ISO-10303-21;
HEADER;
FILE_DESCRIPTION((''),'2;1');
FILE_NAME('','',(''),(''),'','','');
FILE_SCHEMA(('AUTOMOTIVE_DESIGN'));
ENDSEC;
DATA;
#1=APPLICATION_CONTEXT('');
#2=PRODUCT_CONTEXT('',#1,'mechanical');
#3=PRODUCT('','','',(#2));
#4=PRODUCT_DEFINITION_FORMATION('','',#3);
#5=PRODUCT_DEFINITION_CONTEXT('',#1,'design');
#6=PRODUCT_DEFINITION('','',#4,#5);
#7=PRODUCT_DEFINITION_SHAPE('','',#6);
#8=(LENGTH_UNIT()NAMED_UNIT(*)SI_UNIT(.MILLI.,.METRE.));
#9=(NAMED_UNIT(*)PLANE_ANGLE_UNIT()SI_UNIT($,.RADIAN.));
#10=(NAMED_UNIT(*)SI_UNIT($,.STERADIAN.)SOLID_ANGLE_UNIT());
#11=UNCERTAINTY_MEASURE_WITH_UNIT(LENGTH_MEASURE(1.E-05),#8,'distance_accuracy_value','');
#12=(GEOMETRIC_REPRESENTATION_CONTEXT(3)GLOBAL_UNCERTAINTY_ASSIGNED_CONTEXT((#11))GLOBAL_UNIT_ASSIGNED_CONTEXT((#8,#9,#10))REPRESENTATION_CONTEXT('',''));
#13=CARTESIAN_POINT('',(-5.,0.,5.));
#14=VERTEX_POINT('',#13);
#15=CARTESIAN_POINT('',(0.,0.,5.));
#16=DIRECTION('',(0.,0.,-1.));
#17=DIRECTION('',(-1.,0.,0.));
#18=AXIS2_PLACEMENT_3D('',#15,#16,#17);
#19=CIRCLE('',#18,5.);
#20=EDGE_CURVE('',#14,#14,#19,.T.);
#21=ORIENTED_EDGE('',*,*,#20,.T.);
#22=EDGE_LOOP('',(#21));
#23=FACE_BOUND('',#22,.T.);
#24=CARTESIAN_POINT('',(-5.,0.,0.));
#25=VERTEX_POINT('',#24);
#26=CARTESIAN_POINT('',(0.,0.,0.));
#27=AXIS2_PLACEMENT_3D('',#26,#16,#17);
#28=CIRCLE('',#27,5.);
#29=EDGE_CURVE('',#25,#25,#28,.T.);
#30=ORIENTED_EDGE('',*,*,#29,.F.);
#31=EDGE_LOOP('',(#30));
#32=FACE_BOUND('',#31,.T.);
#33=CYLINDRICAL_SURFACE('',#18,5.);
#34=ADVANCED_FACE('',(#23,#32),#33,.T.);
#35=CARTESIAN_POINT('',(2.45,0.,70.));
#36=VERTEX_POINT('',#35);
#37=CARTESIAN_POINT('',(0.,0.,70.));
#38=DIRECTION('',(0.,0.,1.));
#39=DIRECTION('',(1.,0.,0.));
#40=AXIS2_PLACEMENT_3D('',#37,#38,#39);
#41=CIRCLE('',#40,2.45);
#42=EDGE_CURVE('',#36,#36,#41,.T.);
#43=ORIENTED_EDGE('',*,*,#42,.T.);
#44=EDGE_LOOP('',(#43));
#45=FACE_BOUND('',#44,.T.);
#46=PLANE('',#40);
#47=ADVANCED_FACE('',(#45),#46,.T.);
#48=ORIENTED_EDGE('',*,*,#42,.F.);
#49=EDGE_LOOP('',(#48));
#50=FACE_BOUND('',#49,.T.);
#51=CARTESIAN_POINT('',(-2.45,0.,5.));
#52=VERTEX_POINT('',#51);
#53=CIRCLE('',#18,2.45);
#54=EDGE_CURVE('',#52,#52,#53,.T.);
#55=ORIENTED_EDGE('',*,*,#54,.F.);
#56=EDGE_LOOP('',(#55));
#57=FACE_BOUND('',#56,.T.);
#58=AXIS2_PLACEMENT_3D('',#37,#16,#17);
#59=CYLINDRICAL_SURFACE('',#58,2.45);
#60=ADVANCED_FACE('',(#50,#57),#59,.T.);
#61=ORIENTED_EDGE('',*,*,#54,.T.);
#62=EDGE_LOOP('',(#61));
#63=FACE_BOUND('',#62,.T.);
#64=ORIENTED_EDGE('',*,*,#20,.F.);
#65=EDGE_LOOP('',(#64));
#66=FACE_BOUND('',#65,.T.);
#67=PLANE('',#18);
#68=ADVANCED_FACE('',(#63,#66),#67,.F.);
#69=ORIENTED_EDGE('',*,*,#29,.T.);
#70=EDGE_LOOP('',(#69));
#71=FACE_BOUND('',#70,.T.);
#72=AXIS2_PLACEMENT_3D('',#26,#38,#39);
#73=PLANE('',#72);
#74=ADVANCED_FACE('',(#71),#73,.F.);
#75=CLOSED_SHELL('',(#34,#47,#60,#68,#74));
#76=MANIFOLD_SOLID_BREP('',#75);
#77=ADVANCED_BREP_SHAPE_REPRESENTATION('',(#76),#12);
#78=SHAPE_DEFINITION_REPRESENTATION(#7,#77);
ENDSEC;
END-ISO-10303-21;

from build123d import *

# Parameters (mm, degrees)
SKETCH_1_R      = 2.45
EXTRUDE_1_DEPTH = 70
SKETCH_2_R      = 5
EXTRUDE_2_DEPTH = 5


with BuildPart() as part:
    # 草图1 → 凸台-拉伸1 (new body)
    with BuildSketch(Plane.XY):
        Circle(SKETCH_1_R)
    extrude(amount=EXTRUDE_1_DEPTH)

    # 草图2 → 凸台-拉伸2 (add)
    with BuildSketch(Plane(origin=(0, 0, 0), x_dir=(-1, 0, 0), z_dir=(0, 0, -1))):
        Circle(SKETCH_2_R)
    extrude(amount=-EXTRUDE_2_DEPTH)


solid = part.part
